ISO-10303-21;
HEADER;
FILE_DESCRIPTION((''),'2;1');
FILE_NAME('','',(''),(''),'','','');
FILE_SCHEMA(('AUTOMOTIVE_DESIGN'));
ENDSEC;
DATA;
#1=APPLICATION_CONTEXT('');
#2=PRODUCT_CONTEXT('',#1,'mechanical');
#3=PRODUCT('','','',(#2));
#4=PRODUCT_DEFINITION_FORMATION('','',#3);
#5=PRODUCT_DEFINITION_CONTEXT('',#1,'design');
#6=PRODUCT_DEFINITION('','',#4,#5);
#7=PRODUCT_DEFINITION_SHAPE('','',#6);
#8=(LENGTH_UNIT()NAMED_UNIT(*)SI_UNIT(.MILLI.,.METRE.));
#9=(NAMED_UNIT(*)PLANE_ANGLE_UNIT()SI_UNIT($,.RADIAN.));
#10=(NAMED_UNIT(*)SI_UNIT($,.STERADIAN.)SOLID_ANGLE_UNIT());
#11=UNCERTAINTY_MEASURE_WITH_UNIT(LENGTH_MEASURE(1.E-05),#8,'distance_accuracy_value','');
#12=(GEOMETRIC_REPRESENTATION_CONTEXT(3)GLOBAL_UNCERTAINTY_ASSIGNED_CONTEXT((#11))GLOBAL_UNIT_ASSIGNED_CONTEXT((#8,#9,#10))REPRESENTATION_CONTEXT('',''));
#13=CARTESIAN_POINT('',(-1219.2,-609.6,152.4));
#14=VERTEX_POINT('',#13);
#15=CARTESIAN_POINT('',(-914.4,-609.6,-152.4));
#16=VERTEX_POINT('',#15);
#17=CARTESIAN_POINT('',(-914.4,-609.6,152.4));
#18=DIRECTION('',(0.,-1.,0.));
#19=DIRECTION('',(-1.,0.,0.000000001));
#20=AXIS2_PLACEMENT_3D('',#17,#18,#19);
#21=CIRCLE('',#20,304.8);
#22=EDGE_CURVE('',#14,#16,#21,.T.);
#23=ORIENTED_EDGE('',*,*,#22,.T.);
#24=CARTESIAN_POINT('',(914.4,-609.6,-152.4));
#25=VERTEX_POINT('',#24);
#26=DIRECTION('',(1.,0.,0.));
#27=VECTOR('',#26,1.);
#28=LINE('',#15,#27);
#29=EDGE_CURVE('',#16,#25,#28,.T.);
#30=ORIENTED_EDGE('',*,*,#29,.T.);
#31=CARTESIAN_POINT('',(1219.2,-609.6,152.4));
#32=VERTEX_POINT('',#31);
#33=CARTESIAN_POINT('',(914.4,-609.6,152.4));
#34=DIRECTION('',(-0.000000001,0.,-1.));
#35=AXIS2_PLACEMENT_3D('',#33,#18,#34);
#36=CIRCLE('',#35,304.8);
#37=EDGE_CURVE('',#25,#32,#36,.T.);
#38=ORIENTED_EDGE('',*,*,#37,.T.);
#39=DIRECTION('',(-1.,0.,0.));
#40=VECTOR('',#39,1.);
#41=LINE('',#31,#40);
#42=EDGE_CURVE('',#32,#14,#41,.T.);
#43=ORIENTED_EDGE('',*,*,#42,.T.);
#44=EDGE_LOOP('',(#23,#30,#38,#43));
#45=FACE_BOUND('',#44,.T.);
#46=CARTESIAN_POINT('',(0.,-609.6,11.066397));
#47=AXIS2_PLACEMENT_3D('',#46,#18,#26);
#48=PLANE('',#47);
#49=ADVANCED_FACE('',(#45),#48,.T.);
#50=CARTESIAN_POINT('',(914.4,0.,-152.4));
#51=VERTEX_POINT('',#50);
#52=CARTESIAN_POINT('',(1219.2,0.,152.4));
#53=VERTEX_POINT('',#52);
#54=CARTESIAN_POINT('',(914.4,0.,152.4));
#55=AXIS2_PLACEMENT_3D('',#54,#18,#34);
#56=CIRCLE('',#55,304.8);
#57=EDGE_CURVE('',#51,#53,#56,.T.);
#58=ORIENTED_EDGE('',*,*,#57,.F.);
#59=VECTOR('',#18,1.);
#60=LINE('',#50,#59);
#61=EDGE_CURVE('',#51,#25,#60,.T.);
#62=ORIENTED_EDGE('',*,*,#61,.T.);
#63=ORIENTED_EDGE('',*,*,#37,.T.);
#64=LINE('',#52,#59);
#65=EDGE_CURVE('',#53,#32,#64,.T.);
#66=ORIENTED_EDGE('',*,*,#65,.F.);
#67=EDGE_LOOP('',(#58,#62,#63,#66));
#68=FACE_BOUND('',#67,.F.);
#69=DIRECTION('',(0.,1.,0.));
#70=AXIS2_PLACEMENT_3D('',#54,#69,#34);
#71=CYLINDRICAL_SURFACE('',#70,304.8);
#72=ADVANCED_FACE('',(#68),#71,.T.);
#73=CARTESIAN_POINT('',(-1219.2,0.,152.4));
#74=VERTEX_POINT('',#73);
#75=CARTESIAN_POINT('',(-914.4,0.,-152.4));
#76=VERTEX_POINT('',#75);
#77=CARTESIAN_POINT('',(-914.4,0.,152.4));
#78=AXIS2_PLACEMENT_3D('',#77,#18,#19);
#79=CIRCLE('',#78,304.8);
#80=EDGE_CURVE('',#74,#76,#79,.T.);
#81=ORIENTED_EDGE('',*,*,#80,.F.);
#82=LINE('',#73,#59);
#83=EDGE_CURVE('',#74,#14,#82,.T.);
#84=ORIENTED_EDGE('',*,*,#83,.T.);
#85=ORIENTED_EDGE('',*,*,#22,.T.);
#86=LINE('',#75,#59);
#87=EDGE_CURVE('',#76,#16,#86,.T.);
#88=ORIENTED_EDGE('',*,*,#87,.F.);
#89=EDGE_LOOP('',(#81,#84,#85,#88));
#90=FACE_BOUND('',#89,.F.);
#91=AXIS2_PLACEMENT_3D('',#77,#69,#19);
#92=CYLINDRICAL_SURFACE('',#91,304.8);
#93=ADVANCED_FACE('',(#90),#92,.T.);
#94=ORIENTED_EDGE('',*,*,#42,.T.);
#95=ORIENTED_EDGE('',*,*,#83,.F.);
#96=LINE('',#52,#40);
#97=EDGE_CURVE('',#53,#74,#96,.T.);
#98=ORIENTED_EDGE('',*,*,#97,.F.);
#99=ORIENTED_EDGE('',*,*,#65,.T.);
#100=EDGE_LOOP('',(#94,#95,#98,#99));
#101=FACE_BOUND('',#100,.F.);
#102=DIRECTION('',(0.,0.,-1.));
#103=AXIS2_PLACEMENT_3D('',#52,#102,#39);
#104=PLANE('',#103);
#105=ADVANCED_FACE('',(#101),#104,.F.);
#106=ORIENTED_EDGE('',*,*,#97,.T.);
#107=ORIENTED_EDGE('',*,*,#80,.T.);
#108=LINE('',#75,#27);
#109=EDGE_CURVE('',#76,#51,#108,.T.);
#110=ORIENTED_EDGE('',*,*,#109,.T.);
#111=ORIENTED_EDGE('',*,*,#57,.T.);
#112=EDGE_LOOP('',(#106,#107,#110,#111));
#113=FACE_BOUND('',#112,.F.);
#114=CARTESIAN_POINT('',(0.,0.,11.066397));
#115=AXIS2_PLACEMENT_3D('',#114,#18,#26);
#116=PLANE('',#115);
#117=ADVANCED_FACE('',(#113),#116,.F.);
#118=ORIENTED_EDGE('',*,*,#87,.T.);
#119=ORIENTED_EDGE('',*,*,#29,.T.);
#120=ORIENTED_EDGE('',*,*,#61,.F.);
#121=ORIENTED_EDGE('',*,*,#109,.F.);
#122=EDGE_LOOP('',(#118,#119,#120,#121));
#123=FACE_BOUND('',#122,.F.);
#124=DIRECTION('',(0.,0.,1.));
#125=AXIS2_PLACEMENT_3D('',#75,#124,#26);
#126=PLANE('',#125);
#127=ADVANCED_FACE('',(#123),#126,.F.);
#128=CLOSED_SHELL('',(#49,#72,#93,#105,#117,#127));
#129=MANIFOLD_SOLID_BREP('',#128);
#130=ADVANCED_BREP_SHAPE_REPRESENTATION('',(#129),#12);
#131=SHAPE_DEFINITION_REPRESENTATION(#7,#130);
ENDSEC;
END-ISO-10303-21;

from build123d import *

# Parameters (mm, degrees)
F1_DEPTH = 609.6


with BuildPart() as f1:
    # F0 (on Front) → F1 (new body)
    with BuildSketch(Plane.XZ):
        with BuildLine():
            Line((914.4, 152.4), (-914.4, 152.4))
            Line((-914.4, 152.4), (-1219.2, 152.4))
            ThreePointArc((-1219.2, 152.4), (-1129.926147, -63.126147), (-914.4, -152.4))
            Line((-914.4, -152.4), (914.4, -152.4))
            ThreePointArc((914.4, -152.4), (1129.926147, -63.126147), (1219.2, 152.4))
            Line((1219.2, 152.4), (914.4, 152.4))
        make_face()
    extrude(amount=F1_DEPTH)


solid = f1.part
